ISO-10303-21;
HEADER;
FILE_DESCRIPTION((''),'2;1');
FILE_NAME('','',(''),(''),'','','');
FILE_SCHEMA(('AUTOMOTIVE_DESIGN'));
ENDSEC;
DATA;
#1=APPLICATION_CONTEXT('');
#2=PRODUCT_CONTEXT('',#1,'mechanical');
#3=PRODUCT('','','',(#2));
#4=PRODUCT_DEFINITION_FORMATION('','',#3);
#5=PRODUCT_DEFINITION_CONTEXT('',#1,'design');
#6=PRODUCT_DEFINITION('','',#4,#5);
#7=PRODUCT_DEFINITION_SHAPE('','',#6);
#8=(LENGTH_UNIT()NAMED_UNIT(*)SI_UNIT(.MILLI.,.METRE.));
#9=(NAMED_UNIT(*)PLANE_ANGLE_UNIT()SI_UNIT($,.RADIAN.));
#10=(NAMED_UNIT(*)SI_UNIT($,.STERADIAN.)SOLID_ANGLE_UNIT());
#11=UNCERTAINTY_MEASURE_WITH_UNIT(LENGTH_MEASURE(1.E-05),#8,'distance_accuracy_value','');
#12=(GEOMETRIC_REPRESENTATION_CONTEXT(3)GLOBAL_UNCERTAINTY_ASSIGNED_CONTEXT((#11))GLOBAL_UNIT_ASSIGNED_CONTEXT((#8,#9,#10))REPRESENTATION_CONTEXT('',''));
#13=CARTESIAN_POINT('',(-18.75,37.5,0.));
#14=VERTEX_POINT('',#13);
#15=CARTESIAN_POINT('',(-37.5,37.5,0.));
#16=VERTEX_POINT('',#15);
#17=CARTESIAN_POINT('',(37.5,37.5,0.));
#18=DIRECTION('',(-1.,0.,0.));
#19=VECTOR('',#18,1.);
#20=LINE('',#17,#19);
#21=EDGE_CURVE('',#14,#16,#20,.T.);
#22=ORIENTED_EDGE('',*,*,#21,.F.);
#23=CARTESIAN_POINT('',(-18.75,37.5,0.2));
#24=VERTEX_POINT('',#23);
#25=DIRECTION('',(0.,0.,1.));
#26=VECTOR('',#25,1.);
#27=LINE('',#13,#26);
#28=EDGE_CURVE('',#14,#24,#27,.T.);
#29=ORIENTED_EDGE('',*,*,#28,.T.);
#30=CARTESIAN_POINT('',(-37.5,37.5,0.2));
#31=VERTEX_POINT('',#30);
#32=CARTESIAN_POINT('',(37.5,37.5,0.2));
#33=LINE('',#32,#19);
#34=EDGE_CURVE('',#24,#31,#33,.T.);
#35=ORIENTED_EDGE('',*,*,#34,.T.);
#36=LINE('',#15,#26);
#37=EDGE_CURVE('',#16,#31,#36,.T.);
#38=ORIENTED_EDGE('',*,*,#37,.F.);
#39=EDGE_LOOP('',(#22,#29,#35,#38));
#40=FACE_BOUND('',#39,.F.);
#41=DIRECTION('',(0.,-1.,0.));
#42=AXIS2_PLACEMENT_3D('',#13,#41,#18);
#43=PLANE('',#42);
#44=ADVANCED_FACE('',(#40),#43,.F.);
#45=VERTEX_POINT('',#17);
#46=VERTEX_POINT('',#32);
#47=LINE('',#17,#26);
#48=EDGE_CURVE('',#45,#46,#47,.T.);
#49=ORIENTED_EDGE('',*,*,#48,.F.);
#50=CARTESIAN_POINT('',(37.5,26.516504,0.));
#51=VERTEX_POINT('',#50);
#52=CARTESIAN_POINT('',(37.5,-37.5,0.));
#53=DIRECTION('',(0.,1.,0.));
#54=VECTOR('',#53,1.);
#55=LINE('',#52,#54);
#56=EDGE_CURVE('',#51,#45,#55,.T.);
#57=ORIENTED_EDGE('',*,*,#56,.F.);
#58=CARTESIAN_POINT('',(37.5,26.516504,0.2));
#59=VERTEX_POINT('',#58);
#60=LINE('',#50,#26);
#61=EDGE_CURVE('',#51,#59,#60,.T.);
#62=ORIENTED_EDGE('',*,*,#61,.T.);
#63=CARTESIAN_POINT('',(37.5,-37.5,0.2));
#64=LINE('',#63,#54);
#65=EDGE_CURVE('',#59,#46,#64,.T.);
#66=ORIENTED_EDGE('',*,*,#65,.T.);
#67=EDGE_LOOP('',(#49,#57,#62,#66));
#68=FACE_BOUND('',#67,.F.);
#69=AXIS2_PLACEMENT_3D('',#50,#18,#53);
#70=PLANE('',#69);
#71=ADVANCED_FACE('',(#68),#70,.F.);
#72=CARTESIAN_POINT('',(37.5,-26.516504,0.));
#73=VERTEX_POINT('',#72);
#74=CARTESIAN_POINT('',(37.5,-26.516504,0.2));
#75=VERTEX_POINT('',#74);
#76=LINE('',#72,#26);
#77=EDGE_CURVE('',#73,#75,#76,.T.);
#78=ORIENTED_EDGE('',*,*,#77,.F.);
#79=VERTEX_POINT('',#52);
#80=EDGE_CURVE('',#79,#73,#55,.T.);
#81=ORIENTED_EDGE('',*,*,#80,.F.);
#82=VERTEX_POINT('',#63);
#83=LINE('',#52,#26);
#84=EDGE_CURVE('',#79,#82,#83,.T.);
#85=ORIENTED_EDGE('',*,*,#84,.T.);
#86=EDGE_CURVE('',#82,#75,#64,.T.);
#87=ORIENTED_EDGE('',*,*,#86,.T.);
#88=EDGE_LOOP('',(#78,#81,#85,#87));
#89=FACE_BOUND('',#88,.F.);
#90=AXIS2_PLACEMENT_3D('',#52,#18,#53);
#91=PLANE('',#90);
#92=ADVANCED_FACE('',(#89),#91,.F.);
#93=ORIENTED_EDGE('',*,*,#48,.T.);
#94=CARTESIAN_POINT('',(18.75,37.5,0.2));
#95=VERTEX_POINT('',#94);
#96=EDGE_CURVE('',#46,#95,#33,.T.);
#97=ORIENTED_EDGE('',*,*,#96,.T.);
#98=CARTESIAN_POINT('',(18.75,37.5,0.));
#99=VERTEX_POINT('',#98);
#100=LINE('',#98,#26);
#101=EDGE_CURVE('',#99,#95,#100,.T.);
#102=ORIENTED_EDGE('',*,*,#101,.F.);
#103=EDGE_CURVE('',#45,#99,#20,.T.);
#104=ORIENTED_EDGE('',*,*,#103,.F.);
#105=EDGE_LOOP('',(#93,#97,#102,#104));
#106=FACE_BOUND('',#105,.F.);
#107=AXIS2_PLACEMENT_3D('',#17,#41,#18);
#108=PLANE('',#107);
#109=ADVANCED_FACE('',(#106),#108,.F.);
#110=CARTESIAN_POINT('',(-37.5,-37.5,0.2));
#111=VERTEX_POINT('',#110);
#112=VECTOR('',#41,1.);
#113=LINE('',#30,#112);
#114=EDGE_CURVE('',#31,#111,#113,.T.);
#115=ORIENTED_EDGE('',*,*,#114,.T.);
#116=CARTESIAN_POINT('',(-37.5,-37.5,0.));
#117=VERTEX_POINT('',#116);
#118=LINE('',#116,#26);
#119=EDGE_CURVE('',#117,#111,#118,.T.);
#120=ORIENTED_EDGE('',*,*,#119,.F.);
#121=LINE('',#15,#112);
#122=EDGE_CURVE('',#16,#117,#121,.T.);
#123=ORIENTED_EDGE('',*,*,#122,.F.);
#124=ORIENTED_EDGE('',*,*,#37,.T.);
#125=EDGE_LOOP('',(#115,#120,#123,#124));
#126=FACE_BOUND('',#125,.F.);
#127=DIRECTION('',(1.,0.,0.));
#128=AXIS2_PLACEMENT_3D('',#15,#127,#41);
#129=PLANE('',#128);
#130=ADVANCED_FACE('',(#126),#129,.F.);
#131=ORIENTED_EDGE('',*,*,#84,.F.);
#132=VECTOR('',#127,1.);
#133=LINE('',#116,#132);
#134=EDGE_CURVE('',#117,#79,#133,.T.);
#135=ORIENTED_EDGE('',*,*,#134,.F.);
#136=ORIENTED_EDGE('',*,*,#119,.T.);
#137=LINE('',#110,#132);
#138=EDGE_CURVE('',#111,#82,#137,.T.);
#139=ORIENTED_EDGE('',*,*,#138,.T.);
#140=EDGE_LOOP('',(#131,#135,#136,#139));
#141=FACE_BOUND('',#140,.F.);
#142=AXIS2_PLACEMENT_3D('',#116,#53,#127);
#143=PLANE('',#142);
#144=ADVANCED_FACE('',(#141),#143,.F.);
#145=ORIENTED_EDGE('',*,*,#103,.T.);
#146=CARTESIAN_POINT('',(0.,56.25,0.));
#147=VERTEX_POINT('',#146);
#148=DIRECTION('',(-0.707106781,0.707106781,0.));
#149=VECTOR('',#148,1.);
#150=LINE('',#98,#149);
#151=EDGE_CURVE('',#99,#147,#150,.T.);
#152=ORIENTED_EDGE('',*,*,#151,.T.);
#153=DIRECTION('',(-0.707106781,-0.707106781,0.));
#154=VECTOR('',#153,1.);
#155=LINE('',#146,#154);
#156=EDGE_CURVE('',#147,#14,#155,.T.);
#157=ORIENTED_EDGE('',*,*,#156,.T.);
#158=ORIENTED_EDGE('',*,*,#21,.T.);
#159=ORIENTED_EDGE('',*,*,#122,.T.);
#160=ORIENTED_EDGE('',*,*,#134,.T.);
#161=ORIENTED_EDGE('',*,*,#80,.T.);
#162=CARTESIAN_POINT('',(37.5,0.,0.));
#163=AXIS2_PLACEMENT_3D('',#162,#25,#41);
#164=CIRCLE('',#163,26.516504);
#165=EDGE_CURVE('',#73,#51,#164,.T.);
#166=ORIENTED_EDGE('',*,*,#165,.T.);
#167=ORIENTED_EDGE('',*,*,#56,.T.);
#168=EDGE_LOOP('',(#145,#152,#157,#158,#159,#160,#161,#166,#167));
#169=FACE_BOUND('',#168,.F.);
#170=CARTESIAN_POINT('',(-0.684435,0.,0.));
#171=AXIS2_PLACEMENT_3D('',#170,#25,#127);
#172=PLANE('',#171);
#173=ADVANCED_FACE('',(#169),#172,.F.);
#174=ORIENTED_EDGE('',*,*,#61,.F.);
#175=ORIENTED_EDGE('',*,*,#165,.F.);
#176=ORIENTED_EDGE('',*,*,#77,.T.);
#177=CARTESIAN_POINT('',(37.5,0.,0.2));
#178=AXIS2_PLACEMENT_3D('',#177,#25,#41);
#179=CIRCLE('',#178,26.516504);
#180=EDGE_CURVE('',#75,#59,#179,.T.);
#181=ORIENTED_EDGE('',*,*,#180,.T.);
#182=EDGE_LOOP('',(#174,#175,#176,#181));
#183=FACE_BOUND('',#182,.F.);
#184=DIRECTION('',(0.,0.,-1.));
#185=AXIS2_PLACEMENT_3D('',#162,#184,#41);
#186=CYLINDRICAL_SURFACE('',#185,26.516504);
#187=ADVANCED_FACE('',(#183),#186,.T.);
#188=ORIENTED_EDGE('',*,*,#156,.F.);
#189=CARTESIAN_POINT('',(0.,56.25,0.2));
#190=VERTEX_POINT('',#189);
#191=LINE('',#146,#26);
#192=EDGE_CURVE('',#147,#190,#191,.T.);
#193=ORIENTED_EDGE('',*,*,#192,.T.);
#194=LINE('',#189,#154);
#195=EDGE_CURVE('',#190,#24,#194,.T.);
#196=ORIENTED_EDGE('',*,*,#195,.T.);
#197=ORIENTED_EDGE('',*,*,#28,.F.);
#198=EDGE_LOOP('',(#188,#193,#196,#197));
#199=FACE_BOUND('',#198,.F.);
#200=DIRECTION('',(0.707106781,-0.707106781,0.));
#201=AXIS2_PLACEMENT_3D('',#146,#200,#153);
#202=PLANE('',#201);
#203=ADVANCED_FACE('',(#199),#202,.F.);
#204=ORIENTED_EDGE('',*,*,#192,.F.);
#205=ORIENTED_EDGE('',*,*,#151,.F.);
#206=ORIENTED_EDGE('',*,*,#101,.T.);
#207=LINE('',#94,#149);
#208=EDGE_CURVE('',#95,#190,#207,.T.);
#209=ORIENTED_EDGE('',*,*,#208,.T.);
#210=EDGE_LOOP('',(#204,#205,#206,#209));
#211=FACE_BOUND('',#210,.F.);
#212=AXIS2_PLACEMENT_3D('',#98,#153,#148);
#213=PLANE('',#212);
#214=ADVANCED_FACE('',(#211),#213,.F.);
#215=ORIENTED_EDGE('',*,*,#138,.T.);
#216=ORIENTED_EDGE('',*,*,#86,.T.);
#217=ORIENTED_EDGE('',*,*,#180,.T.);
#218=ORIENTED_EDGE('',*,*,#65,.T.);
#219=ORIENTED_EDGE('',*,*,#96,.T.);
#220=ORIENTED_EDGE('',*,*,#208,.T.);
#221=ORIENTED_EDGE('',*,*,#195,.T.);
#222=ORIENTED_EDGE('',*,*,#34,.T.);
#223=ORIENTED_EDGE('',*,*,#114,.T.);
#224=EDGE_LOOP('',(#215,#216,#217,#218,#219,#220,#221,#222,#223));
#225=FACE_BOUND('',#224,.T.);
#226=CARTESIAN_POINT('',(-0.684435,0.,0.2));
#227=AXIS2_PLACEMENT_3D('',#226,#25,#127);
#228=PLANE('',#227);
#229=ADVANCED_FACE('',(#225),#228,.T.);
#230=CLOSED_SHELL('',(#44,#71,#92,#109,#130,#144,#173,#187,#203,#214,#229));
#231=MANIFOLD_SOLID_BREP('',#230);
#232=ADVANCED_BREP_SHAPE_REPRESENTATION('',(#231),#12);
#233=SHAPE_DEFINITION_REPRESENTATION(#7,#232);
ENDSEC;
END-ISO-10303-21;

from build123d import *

# Parameters (mm, degrees)
F1_DEPTH = 0.2


with BuildPart() as f1:
    # F0 (on Top) → F1 (new body)
    with BuildSketch(Plane.XY):
        with BuildLine():
            Line((-18.75, 37.5), (-37.5, 37.5))
            Line((-37.5, 37.5), (-37.5, -37.5))
            Line((-37.5, -37.5), (37.5, -37.5))
            Line((37.5, -37.5), (37.5, -26.5165042945))
            ThreePointArc((37.5, -26.5165042945), (10.9834957055, 0), (37.5, 26.5165042945))
            Line((37.5, 26.5165042945), (37.5, 37.5))
            Line((37.5, 37.5), (18.75, 37.5))
            Line((18.75, 37.5), (-18.75, 37.5))
        make_face()
        Polygon((0, 56.25), (-18.75, 37.5), (18.75, 37.5), align=None)
        with BuildLine():
            ThreePointArc((37.5, 26.5165042945), (10.9834957055, 0), (37.5, -26.5165042945))
            Line((37.5, -26.5165042945), (37.5, 26.5165042945))
        make_face()
        with BuildLine():
            Line((37.5, 26.5165042945), (37.5, -26.5165042945))
            ThreePointArc((37.5, -26.5165042945), (56.25, -18.75), (64.0165042945, 0))
            ThreePointArc((64.0165042945, 0), (56.25, 18.75), (37.5, 26.5165042945))
        make_face()
    extrude(amount=F1_DEPTH)


solid = f1.part
